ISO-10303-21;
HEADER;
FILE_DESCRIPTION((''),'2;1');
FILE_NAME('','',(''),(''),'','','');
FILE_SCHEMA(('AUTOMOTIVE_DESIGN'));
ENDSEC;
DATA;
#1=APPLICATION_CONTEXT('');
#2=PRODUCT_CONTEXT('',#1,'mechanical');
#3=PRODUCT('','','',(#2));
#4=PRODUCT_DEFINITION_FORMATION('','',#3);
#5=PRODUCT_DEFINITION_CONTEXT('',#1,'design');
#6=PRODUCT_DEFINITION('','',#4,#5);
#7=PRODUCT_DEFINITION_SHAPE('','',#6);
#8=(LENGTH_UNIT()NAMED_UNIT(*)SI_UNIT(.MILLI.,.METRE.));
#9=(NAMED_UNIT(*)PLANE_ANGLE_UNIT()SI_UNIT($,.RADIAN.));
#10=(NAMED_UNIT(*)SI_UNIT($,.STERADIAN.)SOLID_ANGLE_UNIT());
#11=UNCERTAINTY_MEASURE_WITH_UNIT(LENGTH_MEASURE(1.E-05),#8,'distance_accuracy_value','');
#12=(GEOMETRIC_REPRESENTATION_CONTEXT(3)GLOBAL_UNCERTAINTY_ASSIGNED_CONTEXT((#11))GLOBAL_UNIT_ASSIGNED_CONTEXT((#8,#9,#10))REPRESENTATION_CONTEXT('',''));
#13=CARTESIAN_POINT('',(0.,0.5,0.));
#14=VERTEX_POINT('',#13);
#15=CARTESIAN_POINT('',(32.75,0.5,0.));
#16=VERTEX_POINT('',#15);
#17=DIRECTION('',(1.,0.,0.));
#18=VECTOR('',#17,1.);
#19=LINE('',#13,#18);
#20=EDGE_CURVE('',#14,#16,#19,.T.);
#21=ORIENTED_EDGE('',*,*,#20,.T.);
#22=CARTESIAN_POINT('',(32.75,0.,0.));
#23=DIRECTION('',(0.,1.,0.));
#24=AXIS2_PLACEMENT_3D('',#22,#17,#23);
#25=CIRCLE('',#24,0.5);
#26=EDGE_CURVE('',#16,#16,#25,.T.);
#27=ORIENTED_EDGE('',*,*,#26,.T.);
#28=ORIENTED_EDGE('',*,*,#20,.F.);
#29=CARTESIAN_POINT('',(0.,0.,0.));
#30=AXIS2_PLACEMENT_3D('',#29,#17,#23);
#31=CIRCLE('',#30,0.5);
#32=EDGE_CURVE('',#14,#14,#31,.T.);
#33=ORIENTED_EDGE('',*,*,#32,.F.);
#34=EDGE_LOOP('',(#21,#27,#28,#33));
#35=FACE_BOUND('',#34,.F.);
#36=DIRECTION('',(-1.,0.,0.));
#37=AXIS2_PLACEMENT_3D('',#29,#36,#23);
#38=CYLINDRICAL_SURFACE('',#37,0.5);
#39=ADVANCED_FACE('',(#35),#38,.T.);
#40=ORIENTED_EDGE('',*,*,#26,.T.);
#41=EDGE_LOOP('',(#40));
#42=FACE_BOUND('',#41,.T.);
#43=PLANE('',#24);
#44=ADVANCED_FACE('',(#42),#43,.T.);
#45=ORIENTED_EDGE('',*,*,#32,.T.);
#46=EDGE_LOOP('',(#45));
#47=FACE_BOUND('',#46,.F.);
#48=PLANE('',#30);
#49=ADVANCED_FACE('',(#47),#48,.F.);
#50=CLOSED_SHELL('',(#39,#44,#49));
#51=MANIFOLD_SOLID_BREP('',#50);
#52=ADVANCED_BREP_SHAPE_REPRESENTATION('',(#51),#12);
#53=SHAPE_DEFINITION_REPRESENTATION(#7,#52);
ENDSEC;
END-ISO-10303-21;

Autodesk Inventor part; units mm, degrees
ref_plane "YZ Plane" through (0, 0, 0) normal (1, 0, 0) x (0, 1, 0)
ref_plane "XZ Plane" through (0, 0, 0) normal (0, 1, 0) x (-1, 0, 0)
ref_plane "XY Plane" through (0, 0, 0) normal (0, 0, 1) x (1, 0, 0)
sketch "Skizze1" plane through (0, 0, 0) normal (1, 0, 0) x (0, 1, 0)
  circle A0 centre (0, 0) radius 0.5
  dimension "d0" = 1
extrude "Extrusion1" add sketch "Skizze1" along normal blind 32.75
properties part number "elektrode" material "Kupfer"
